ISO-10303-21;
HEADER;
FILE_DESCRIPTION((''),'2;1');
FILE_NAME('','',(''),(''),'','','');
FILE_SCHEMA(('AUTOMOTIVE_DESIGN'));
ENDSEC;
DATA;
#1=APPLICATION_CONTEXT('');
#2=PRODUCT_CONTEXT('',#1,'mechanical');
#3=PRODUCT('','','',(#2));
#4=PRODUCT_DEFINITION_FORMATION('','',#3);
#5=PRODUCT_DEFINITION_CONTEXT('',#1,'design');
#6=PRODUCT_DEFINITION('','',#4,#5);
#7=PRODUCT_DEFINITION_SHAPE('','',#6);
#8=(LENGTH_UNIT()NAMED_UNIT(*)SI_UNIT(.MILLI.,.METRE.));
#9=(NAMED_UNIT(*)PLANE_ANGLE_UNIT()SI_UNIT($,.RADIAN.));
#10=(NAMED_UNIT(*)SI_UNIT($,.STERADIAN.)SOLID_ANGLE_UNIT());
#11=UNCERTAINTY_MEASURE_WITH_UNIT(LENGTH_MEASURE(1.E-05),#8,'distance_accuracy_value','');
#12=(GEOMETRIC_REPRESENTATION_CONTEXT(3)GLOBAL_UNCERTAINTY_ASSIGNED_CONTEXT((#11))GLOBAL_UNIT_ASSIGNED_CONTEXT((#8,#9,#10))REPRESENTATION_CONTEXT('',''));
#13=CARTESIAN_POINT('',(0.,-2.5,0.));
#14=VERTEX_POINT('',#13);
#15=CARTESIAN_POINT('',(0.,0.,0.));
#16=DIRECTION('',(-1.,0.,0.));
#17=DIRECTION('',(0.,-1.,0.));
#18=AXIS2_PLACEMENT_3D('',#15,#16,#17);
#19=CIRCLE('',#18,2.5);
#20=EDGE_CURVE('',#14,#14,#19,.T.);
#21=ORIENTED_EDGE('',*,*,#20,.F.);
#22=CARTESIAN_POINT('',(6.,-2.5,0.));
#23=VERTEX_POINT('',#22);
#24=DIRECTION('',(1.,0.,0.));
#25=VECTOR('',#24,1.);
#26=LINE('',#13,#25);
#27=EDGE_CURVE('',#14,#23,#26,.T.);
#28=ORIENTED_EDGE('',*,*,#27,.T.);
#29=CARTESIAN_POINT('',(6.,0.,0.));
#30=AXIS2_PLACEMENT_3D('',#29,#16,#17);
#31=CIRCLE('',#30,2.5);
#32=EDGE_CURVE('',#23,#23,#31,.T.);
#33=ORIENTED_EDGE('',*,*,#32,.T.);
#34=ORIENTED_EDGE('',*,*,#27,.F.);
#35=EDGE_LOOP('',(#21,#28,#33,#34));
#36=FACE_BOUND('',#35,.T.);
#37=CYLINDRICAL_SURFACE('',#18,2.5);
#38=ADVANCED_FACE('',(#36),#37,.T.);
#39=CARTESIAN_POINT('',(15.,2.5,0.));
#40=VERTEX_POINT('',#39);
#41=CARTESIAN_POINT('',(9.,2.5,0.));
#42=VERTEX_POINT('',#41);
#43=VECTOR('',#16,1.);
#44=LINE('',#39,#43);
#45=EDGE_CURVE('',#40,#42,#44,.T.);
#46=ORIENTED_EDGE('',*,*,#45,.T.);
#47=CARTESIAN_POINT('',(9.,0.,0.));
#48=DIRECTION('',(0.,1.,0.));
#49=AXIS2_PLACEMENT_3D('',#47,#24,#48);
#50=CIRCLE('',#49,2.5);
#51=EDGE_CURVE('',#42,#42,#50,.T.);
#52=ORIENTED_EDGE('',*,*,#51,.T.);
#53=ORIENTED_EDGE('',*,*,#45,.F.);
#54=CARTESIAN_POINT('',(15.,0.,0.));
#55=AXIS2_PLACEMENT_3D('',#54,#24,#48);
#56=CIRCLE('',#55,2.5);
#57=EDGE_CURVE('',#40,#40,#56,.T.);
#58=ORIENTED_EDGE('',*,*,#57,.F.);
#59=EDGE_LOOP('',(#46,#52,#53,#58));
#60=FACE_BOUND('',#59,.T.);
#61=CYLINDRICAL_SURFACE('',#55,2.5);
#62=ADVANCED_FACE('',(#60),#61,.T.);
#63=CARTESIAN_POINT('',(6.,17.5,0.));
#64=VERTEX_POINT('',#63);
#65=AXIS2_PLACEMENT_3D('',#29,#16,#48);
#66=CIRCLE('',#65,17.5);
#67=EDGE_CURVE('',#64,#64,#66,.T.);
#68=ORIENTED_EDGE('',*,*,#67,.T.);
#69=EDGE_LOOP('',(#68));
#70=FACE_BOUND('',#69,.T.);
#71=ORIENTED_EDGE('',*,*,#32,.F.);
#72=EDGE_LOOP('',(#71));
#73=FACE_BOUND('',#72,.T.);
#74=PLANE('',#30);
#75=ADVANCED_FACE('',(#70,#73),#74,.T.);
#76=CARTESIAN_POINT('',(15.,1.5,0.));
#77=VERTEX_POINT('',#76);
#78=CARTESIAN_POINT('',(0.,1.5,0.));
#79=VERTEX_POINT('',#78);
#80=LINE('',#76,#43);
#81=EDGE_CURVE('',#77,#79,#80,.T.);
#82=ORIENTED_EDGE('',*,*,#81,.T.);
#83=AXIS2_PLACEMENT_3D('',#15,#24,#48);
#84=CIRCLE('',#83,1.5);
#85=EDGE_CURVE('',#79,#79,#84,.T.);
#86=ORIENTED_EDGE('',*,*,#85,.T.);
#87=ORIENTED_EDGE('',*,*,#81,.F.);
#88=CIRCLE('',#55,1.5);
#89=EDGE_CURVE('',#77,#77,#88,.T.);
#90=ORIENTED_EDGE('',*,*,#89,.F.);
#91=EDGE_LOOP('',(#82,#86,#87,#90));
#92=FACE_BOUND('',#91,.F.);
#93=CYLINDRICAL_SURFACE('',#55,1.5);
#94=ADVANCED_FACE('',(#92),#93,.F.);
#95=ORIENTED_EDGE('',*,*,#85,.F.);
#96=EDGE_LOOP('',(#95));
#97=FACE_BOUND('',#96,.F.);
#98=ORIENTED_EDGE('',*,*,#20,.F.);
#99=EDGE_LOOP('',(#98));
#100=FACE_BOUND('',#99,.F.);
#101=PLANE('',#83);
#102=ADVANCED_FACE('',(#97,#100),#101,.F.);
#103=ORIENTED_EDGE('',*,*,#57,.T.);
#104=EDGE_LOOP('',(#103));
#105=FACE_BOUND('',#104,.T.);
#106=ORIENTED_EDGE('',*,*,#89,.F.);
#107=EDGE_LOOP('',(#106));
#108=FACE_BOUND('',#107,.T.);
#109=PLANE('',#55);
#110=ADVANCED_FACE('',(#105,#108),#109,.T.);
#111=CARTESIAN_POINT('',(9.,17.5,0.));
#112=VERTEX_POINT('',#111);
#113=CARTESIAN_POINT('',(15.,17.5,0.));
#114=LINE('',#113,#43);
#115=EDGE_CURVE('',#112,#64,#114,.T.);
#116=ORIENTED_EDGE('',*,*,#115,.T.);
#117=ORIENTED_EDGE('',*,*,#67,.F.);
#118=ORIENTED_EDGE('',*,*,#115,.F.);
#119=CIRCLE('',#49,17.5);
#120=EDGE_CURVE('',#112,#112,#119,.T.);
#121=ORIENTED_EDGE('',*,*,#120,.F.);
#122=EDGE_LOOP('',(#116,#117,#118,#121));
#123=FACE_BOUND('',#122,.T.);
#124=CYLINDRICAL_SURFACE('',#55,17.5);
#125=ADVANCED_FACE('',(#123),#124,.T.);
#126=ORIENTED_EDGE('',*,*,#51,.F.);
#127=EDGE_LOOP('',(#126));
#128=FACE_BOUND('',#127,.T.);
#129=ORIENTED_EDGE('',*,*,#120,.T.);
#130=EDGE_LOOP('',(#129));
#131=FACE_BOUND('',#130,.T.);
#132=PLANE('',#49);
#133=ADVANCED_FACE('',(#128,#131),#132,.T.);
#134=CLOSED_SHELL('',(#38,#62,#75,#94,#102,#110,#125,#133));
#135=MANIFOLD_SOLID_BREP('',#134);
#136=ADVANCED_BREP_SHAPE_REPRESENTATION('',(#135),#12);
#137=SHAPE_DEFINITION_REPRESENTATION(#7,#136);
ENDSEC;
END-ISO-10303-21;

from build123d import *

# Parameters (mm, degrees)
F0_R     = 20
F1_DEPTH = 15
F2_R     = 17.5
F2_R_2   = 2.5
F3_DEPTH = 6
F4_R     = 1.5
F5_DEPTH = 25
F6_R     = 17.5
F6_R_2   = 2.5
F7_DEPTH = 6
F8_DEPTH = 25


with BuildPart() as f1:
    # F0 (on Right) → F1 (new body)
    with BuildSketch(Plane.YZ):
        Circle(F0_R)
    extrude(amount=F1_DEPTH)

    # F2 (on face) → F3 (cut)
    with BuildSketch(Plane.YZ.offset(15)):
        Circle(F2_R)
        Circle(F2_R_2, mode=Mode.SUBTRACT)
    extrude(amount=-F3_DEPTH, mode=Mode.SUBTRACT)

    # F4 (on face) → F5 (cut)
    with BuildSketch(Plane.YZ.offset(15)):
        Circle(F4_R)
    extrude(amount=-F5_DEPTH, mode=Mode.SUBTRACT)

    # F6 (on face) → F7 (cut)
    with BuildSketch(Plane(origin=(0, 0, 0), x_dir=(0, -1, 0), z_dir=(-1, 0, 0))):
        Circle(F6_R)
        Circle(F6_R_2, mode=Mode.SUBTRACT)
    extrude(amount=-F7_DEPTH, mode=Mode.SUBTRACT)

    # F8 (cut): a face of the model
    f8_faces = [f1.faces().sort_by_distance(p)[0] for p in [
        (15, -19.4343145751, 0),
    ]]
    extrude(f8_faces, amount=-F8_DEPTH, mode=Mode.SUBTRACT)


solid = f1.part
